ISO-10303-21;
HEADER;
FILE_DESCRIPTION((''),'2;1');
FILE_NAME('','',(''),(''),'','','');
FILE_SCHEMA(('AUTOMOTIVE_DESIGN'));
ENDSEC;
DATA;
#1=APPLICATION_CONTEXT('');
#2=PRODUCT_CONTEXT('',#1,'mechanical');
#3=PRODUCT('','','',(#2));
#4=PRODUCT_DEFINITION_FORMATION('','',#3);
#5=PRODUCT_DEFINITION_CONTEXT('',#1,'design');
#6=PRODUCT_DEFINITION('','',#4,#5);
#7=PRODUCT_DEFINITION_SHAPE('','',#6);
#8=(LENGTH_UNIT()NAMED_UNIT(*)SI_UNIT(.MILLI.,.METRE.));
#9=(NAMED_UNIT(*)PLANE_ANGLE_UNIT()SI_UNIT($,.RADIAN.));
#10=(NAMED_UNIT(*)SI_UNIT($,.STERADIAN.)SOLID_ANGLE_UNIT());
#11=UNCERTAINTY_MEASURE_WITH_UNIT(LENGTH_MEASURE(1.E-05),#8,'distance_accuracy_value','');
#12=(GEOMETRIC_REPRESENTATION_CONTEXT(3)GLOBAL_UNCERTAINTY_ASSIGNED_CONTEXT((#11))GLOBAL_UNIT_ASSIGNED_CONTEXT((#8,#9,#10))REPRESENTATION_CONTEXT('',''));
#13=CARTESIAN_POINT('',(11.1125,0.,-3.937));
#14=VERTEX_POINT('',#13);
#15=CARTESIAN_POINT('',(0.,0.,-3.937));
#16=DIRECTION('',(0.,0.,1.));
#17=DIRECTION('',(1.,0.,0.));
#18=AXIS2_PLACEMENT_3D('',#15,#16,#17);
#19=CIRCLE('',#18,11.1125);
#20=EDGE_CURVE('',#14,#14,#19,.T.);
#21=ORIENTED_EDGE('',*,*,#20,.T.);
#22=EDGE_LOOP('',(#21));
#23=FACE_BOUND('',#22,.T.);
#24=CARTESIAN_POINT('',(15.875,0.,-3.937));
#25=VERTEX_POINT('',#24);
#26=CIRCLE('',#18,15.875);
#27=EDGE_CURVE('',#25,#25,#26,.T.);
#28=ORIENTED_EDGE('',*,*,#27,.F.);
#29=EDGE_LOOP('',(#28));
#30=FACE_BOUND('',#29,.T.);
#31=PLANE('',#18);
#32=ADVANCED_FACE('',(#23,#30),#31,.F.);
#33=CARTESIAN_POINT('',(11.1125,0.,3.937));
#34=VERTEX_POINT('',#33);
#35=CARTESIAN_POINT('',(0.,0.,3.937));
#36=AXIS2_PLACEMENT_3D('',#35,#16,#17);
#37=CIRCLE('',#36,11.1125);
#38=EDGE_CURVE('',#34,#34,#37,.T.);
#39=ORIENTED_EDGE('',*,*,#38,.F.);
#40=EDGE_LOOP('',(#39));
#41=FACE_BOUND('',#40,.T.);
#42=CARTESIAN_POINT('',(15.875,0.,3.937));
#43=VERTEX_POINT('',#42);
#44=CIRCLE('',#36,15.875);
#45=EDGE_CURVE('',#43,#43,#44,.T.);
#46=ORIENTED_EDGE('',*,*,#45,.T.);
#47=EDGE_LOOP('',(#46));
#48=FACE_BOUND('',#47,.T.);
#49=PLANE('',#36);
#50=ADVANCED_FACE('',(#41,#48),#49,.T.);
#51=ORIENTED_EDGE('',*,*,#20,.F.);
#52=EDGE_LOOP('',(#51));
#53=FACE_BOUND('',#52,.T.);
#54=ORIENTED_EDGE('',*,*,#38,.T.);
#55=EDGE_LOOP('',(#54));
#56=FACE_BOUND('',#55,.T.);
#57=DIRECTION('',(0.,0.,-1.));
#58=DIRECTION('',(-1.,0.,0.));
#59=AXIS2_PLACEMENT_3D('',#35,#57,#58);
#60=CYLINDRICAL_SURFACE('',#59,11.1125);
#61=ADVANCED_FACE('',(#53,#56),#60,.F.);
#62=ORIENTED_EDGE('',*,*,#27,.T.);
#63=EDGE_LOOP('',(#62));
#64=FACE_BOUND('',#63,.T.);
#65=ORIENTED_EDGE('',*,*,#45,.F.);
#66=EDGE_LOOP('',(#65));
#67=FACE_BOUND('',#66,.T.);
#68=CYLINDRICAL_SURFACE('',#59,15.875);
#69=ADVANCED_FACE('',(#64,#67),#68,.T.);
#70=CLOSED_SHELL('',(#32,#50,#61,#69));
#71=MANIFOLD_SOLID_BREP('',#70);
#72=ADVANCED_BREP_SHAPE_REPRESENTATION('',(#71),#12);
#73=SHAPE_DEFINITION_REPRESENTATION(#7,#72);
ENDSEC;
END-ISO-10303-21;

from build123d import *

# Parameters (mm, degrees)
SKETCH1_R           = 15.875
SKETCH1_R_2         = 11.1125
BOSS_EXTRUDE1_DEPTH = 3.937


with BuildPart() as part:
    # Sketch1 → Boss-Extrude1 (new body, symmetric)
    with BuildSketch(Plane.XY):
        Circle(SKETCH1_R)
        Circle(SKETCH1_R_2, mode=Mode.SUBTRACT)
    extrude(amount=BOSS_EXTRUDE1_DEPTH, both=True)


solid = part.part
